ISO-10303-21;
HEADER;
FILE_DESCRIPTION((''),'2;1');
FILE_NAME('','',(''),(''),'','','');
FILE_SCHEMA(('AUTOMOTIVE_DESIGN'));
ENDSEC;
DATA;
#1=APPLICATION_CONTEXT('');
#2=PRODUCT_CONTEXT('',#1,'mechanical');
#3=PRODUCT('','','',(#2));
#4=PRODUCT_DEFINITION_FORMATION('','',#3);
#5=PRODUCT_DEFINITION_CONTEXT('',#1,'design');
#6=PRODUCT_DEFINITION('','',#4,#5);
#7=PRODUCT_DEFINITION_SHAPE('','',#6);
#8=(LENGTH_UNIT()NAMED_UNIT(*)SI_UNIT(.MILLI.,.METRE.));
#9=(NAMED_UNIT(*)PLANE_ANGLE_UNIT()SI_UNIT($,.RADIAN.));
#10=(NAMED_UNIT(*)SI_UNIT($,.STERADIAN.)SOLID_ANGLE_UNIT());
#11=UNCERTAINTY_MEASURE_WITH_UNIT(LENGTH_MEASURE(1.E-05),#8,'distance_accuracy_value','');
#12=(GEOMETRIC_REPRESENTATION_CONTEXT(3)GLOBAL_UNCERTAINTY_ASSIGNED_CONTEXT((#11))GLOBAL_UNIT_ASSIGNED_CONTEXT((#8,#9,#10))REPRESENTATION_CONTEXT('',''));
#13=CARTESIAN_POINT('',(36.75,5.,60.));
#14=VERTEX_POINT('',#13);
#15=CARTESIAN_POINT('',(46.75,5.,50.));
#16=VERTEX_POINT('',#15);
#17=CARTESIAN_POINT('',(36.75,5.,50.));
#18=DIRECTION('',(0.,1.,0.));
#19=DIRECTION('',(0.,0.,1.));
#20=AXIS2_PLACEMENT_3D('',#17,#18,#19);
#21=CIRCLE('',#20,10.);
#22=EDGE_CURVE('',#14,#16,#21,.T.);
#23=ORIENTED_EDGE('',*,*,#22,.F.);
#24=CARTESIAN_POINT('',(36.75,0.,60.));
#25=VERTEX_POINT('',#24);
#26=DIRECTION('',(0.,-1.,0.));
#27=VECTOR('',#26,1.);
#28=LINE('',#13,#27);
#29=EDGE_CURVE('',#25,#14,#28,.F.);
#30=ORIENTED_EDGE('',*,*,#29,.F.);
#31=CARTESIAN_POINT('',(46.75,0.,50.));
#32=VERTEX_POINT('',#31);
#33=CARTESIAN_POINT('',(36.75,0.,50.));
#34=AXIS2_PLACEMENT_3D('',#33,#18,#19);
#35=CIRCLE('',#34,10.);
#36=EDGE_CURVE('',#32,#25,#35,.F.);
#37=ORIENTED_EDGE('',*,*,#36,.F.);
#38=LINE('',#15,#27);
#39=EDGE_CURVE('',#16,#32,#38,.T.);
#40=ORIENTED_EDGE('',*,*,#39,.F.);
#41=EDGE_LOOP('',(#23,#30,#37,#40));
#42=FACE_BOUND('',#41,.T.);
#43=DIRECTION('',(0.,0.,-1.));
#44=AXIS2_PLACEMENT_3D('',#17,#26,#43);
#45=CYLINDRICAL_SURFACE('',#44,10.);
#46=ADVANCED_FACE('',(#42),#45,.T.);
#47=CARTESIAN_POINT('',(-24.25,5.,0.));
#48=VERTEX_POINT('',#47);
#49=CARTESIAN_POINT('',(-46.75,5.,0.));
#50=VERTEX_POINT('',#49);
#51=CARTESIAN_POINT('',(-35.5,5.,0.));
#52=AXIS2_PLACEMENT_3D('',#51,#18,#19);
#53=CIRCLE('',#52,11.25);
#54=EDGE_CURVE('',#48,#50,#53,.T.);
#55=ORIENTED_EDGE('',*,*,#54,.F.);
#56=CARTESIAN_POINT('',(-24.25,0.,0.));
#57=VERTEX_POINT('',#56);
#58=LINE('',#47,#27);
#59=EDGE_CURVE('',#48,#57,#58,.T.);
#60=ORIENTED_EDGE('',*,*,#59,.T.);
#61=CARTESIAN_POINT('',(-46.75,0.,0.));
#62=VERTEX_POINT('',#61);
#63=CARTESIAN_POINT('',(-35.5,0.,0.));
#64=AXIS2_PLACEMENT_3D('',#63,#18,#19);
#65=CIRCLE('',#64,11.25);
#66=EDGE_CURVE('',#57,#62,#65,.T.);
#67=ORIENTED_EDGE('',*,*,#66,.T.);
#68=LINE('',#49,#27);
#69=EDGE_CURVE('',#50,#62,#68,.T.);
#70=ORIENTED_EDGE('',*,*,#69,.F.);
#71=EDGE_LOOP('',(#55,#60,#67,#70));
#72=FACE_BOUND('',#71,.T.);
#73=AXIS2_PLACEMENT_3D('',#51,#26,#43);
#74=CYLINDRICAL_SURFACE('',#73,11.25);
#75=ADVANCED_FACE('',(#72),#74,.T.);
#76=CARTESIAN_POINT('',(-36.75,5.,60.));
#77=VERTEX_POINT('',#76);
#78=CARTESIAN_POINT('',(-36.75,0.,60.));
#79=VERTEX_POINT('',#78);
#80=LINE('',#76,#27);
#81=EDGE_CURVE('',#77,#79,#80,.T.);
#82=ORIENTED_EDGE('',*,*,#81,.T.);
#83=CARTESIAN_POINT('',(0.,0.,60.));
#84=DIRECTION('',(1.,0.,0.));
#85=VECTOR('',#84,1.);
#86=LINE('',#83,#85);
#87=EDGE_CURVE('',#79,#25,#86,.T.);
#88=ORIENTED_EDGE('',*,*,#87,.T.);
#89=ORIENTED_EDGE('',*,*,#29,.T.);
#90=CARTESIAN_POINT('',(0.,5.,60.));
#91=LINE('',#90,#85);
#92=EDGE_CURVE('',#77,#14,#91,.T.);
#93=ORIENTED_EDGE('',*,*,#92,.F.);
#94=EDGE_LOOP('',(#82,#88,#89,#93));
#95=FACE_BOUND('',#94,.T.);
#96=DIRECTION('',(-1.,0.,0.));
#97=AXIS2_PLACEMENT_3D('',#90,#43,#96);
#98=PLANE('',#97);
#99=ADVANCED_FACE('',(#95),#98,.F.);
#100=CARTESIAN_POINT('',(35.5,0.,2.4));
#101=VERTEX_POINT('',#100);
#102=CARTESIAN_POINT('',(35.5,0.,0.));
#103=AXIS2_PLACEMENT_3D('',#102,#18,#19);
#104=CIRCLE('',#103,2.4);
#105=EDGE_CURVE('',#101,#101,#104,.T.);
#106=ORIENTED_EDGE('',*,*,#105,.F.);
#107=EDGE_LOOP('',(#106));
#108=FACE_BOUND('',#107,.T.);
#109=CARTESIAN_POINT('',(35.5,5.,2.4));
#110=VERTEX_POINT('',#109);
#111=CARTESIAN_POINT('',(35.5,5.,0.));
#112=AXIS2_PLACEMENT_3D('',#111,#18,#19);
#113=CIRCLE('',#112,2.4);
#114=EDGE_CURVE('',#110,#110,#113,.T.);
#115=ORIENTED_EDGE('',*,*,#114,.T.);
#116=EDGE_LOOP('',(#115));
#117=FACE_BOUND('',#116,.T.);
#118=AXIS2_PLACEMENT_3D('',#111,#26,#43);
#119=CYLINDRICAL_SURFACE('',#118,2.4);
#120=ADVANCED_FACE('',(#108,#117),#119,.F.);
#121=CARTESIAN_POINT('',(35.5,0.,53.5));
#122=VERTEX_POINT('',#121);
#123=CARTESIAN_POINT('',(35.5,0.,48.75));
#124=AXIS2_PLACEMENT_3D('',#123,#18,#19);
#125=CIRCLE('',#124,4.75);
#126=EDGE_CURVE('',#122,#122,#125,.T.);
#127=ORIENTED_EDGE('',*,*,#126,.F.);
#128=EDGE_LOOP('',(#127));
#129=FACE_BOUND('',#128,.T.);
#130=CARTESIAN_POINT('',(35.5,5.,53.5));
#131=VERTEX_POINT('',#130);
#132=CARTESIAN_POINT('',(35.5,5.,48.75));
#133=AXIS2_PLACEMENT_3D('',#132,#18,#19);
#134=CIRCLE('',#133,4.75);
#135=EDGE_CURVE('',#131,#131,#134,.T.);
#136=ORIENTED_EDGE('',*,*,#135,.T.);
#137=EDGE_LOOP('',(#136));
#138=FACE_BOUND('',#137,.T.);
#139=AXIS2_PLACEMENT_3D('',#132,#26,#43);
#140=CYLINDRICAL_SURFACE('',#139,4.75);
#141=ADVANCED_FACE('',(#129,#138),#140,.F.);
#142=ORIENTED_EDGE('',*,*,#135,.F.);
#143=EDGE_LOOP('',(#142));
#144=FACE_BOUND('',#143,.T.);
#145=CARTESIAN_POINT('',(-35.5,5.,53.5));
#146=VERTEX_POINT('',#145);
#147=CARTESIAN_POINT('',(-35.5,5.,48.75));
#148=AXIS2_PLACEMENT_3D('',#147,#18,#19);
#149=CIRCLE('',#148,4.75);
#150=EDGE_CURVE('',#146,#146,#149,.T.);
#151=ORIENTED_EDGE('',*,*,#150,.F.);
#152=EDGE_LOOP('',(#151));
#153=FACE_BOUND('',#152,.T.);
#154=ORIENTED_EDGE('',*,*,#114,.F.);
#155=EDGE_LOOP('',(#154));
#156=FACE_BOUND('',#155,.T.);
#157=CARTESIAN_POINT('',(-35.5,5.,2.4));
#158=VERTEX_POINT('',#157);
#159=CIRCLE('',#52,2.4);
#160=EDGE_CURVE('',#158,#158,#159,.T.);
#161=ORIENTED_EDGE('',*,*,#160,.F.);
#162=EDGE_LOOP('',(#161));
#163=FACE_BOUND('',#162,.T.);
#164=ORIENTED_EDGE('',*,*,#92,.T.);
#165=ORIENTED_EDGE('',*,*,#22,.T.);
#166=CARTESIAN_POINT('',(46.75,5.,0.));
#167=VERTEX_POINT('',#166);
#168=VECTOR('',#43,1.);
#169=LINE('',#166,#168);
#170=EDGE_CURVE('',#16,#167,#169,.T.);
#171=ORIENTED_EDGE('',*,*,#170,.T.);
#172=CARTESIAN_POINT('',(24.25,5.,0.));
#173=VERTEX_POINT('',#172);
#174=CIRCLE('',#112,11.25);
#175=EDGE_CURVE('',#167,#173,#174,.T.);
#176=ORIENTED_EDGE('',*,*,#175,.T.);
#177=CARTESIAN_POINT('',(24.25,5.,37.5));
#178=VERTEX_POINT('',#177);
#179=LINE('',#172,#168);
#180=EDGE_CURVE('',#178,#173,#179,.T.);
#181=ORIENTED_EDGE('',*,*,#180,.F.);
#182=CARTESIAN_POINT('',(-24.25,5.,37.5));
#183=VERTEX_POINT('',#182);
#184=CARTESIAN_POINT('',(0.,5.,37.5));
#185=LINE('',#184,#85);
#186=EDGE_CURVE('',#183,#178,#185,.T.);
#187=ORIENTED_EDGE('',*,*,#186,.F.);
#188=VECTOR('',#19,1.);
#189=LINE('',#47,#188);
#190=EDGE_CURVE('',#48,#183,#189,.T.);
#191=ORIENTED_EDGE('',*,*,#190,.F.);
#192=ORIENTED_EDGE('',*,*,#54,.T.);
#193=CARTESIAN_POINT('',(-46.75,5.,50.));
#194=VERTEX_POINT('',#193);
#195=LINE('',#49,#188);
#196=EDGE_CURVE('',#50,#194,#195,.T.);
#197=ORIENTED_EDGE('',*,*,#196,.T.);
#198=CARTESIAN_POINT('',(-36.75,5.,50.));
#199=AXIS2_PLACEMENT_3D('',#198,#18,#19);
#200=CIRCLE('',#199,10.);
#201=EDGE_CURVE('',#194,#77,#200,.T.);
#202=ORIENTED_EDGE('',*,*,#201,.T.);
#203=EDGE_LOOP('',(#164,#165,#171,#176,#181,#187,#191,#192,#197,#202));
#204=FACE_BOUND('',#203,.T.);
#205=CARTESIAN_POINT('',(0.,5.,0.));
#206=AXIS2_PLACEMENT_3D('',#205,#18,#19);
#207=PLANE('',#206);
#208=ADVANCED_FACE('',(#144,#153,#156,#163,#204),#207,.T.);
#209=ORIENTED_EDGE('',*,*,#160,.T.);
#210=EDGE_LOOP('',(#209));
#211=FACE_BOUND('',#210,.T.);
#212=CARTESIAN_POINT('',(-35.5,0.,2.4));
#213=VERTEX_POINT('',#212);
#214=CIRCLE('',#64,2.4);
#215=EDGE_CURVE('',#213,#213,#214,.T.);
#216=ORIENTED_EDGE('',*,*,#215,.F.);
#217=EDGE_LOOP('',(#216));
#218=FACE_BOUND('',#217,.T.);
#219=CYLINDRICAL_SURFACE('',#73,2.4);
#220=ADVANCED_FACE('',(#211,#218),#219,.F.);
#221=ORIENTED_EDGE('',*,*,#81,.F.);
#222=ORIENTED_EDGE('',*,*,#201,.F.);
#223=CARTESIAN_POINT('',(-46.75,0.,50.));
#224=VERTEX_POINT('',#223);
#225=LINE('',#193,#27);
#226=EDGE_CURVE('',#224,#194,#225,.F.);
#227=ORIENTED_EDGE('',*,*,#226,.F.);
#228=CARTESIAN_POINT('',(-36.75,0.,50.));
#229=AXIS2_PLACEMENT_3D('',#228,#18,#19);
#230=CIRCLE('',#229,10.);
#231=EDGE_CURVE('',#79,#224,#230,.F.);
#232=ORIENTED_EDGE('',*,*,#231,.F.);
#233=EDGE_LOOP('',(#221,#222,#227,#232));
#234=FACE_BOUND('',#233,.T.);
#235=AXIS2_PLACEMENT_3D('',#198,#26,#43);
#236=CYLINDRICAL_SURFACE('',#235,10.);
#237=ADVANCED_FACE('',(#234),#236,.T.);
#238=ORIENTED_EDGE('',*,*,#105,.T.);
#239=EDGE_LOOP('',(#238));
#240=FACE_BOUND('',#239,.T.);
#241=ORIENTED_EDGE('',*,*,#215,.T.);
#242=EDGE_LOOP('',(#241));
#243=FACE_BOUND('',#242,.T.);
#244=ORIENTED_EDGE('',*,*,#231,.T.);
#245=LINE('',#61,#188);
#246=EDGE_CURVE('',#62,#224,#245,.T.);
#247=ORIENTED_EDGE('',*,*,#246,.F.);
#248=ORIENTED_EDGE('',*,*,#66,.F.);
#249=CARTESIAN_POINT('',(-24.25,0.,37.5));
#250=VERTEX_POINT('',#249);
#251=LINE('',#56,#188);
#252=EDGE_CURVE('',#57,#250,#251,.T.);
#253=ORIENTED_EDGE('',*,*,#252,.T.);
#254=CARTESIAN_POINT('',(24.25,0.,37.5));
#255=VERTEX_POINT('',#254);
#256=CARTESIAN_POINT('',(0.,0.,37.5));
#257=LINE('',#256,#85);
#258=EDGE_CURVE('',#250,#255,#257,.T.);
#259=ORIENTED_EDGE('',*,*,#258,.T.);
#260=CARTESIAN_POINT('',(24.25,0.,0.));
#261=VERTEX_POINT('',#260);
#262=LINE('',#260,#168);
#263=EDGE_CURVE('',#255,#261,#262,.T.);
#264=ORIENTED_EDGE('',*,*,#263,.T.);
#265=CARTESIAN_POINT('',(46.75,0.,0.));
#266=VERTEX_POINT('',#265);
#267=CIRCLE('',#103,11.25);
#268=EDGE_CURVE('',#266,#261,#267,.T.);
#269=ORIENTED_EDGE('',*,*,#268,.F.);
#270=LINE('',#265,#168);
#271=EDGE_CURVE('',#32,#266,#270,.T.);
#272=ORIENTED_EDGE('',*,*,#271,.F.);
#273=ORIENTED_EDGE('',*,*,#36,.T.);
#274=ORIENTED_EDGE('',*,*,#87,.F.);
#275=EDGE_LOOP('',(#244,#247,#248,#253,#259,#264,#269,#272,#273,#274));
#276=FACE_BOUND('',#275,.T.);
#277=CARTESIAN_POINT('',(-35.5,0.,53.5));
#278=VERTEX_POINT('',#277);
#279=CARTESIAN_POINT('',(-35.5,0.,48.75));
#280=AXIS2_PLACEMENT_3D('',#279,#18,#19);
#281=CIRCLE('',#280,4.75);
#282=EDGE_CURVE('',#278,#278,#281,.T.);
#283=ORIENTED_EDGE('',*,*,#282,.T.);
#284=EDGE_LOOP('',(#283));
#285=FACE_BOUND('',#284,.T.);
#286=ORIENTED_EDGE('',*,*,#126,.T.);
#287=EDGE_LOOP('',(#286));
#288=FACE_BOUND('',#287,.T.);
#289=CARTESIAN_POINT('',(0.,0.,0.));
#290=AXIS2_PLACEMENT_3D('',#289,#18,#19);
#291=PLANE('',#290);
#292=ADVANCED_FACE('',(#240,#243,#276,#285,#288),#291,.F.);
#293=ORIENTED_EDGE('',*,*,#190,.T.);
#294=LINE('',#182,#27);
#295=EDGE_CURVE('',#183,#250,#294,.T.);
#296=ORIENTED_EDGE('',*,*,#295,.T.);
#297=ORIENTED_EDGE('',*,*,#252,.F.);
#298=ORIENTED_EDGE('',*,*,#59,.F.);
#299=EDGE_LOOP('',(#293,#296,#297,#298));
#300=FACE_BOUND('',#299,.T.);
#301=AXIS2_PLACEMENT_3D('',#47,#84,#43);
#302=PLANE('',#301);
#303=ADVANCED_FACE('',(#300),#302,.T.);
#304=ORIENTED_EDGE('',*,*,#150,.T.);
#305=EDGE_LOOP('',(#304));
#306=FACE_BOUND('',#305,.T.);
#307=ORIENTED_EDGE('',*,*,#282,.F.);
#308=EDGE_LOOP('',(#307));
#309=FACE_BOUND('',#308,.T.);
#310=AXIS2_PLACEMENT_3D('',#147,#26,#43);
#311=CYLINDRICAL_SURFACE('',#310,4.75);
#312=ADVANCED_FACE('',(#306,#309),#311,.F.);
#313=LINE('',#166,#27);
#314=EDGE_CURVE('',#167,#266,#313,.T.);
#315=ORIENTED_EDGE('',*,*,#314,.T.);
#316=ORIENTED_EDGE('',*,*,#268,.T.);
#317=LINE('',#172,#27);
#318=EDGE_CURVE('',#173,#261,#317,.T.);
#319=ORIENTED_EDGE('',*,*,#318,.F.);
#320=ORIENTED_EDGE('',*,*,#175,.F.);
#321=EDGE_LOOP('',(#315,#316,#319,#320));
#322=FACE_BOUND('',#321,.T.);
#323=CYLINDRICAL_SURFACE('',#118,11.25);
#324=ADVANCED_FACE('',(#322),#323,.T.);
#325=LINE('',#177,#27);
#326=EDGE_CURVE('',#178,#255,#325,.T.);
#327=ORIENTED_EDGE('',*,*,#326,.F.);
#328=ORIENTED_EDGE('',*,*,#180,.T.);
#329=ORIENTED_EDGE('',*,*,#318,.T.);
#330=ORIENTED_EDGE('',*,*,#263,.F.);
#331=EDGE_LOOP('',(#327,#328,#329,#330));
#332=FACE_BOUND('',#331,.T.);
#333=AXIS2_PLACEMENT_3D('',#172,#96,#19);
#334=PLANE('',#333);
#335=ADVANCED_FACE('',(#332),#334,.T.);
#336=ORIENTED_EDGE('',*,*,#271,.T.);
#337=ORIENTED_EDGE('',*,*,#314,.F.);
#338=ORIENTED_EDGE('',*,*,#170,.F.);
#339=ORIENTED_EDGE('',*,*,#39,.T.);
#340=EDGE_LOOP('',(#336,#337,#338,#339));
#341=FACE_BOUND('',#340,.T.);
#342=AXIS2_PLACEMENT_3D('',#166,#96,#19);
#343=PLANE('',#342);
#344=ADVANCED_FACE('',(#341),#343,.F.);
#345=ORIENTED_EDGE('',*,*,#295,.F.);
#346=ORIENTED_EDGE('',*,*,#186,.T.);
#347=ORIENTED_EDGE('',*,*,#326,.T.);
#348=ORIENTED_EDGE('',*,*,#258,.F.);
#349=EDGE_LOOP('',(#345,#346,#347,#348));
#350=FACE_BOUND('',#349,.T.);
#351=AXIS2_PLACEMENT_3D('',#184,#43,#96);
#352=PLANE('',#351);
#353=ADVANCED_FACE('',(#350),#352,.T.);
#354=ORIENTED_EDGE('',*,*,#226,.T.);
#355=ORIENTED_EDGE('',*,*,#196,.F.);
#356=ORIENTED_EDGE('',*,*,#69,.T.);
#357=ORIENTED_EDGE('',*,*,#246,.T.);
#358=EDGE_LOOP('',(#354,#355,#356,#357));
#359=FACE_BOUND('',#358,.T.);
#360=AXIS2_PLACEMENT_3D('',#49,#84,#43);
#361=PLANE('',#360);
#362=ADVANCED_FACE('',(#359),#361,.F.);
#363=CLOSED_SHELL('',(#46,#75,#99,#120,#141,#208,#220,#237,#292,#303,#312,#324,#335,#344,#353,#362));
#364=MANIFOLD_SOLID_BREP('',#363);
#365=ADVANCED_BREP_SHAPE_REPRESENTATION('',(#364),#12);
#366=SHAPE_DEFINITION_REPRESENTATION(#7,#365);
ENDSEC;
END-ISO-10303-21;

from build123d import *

# Parameters (mm, degrees)
SKETCH1_R           = 4.75
SKETCH1_R_2         = 11.25
SKETCH1_R_3         = 2.4
BOSS_EXTRUDE1_DEPTH = 5
FILLET1_R           = 10


with BuildPart() as part:
    # Sketch1 → Boss-Extrude1 (new body)
    with BuildSketch(Plane(origin=(0, 0, 0), x_dir=(1, 0, 0), z_dir=(0, 1, 0))):
        with BuildLine():
            Line((-24.25, -37.5), (-24.25, 0))
            ThreePointArc((-24.25, 0), (-35.5, -11.25), (-46.75, 0))
            Line((-46.75, 0), (-46.75, -60))
            Line((-46.75, -60), (46.75, -60))
            Line((46.75, -60), (46.75, 0))
            ThreePointArc((46.75, 0), (35.5, -11.25), (24.25, 0))
            Line((24.25, 0), (24.25, -37.5))
            Line((24.25, -37.5), (-24.25, -37.5))
        make_face()
        with Locations((-35.5, -48.75)):
            Circle(SKETCH1_R, mode=Mode.SUBTRACT)
        with Locations((35.5, -48.75)):
            Circle(SKETCH1_R, mode=Mode.SUBTRACT)
        with Locations((-35.5, 0)):
            Circle(SKETCH1_R_2)
        with Locations((-35.5, 0)):
            Circle(SKETCH1_R_3, mode=Mode.SUBTRACT)
        with Locations((35.5, 0)):
            Circle(SKETCH1_R_2)
        with Locations((35.5, 0)):
            Circle(SKETCH1_R_3, mode=Mode.SUBTRACT)
    extrude(amount=BOSS_EXTRUDE1_DEPTH)

    # Fillet1
    fillet1_edges = [part.edges().sort_by_distance(p)[0] for p in [
        (46.75, 2.5, 60),
        (-46.75, 2.5, 60),
    ]]
    fillet(fillet1_edges, radius=FILLET1_R)


solid = part.part
